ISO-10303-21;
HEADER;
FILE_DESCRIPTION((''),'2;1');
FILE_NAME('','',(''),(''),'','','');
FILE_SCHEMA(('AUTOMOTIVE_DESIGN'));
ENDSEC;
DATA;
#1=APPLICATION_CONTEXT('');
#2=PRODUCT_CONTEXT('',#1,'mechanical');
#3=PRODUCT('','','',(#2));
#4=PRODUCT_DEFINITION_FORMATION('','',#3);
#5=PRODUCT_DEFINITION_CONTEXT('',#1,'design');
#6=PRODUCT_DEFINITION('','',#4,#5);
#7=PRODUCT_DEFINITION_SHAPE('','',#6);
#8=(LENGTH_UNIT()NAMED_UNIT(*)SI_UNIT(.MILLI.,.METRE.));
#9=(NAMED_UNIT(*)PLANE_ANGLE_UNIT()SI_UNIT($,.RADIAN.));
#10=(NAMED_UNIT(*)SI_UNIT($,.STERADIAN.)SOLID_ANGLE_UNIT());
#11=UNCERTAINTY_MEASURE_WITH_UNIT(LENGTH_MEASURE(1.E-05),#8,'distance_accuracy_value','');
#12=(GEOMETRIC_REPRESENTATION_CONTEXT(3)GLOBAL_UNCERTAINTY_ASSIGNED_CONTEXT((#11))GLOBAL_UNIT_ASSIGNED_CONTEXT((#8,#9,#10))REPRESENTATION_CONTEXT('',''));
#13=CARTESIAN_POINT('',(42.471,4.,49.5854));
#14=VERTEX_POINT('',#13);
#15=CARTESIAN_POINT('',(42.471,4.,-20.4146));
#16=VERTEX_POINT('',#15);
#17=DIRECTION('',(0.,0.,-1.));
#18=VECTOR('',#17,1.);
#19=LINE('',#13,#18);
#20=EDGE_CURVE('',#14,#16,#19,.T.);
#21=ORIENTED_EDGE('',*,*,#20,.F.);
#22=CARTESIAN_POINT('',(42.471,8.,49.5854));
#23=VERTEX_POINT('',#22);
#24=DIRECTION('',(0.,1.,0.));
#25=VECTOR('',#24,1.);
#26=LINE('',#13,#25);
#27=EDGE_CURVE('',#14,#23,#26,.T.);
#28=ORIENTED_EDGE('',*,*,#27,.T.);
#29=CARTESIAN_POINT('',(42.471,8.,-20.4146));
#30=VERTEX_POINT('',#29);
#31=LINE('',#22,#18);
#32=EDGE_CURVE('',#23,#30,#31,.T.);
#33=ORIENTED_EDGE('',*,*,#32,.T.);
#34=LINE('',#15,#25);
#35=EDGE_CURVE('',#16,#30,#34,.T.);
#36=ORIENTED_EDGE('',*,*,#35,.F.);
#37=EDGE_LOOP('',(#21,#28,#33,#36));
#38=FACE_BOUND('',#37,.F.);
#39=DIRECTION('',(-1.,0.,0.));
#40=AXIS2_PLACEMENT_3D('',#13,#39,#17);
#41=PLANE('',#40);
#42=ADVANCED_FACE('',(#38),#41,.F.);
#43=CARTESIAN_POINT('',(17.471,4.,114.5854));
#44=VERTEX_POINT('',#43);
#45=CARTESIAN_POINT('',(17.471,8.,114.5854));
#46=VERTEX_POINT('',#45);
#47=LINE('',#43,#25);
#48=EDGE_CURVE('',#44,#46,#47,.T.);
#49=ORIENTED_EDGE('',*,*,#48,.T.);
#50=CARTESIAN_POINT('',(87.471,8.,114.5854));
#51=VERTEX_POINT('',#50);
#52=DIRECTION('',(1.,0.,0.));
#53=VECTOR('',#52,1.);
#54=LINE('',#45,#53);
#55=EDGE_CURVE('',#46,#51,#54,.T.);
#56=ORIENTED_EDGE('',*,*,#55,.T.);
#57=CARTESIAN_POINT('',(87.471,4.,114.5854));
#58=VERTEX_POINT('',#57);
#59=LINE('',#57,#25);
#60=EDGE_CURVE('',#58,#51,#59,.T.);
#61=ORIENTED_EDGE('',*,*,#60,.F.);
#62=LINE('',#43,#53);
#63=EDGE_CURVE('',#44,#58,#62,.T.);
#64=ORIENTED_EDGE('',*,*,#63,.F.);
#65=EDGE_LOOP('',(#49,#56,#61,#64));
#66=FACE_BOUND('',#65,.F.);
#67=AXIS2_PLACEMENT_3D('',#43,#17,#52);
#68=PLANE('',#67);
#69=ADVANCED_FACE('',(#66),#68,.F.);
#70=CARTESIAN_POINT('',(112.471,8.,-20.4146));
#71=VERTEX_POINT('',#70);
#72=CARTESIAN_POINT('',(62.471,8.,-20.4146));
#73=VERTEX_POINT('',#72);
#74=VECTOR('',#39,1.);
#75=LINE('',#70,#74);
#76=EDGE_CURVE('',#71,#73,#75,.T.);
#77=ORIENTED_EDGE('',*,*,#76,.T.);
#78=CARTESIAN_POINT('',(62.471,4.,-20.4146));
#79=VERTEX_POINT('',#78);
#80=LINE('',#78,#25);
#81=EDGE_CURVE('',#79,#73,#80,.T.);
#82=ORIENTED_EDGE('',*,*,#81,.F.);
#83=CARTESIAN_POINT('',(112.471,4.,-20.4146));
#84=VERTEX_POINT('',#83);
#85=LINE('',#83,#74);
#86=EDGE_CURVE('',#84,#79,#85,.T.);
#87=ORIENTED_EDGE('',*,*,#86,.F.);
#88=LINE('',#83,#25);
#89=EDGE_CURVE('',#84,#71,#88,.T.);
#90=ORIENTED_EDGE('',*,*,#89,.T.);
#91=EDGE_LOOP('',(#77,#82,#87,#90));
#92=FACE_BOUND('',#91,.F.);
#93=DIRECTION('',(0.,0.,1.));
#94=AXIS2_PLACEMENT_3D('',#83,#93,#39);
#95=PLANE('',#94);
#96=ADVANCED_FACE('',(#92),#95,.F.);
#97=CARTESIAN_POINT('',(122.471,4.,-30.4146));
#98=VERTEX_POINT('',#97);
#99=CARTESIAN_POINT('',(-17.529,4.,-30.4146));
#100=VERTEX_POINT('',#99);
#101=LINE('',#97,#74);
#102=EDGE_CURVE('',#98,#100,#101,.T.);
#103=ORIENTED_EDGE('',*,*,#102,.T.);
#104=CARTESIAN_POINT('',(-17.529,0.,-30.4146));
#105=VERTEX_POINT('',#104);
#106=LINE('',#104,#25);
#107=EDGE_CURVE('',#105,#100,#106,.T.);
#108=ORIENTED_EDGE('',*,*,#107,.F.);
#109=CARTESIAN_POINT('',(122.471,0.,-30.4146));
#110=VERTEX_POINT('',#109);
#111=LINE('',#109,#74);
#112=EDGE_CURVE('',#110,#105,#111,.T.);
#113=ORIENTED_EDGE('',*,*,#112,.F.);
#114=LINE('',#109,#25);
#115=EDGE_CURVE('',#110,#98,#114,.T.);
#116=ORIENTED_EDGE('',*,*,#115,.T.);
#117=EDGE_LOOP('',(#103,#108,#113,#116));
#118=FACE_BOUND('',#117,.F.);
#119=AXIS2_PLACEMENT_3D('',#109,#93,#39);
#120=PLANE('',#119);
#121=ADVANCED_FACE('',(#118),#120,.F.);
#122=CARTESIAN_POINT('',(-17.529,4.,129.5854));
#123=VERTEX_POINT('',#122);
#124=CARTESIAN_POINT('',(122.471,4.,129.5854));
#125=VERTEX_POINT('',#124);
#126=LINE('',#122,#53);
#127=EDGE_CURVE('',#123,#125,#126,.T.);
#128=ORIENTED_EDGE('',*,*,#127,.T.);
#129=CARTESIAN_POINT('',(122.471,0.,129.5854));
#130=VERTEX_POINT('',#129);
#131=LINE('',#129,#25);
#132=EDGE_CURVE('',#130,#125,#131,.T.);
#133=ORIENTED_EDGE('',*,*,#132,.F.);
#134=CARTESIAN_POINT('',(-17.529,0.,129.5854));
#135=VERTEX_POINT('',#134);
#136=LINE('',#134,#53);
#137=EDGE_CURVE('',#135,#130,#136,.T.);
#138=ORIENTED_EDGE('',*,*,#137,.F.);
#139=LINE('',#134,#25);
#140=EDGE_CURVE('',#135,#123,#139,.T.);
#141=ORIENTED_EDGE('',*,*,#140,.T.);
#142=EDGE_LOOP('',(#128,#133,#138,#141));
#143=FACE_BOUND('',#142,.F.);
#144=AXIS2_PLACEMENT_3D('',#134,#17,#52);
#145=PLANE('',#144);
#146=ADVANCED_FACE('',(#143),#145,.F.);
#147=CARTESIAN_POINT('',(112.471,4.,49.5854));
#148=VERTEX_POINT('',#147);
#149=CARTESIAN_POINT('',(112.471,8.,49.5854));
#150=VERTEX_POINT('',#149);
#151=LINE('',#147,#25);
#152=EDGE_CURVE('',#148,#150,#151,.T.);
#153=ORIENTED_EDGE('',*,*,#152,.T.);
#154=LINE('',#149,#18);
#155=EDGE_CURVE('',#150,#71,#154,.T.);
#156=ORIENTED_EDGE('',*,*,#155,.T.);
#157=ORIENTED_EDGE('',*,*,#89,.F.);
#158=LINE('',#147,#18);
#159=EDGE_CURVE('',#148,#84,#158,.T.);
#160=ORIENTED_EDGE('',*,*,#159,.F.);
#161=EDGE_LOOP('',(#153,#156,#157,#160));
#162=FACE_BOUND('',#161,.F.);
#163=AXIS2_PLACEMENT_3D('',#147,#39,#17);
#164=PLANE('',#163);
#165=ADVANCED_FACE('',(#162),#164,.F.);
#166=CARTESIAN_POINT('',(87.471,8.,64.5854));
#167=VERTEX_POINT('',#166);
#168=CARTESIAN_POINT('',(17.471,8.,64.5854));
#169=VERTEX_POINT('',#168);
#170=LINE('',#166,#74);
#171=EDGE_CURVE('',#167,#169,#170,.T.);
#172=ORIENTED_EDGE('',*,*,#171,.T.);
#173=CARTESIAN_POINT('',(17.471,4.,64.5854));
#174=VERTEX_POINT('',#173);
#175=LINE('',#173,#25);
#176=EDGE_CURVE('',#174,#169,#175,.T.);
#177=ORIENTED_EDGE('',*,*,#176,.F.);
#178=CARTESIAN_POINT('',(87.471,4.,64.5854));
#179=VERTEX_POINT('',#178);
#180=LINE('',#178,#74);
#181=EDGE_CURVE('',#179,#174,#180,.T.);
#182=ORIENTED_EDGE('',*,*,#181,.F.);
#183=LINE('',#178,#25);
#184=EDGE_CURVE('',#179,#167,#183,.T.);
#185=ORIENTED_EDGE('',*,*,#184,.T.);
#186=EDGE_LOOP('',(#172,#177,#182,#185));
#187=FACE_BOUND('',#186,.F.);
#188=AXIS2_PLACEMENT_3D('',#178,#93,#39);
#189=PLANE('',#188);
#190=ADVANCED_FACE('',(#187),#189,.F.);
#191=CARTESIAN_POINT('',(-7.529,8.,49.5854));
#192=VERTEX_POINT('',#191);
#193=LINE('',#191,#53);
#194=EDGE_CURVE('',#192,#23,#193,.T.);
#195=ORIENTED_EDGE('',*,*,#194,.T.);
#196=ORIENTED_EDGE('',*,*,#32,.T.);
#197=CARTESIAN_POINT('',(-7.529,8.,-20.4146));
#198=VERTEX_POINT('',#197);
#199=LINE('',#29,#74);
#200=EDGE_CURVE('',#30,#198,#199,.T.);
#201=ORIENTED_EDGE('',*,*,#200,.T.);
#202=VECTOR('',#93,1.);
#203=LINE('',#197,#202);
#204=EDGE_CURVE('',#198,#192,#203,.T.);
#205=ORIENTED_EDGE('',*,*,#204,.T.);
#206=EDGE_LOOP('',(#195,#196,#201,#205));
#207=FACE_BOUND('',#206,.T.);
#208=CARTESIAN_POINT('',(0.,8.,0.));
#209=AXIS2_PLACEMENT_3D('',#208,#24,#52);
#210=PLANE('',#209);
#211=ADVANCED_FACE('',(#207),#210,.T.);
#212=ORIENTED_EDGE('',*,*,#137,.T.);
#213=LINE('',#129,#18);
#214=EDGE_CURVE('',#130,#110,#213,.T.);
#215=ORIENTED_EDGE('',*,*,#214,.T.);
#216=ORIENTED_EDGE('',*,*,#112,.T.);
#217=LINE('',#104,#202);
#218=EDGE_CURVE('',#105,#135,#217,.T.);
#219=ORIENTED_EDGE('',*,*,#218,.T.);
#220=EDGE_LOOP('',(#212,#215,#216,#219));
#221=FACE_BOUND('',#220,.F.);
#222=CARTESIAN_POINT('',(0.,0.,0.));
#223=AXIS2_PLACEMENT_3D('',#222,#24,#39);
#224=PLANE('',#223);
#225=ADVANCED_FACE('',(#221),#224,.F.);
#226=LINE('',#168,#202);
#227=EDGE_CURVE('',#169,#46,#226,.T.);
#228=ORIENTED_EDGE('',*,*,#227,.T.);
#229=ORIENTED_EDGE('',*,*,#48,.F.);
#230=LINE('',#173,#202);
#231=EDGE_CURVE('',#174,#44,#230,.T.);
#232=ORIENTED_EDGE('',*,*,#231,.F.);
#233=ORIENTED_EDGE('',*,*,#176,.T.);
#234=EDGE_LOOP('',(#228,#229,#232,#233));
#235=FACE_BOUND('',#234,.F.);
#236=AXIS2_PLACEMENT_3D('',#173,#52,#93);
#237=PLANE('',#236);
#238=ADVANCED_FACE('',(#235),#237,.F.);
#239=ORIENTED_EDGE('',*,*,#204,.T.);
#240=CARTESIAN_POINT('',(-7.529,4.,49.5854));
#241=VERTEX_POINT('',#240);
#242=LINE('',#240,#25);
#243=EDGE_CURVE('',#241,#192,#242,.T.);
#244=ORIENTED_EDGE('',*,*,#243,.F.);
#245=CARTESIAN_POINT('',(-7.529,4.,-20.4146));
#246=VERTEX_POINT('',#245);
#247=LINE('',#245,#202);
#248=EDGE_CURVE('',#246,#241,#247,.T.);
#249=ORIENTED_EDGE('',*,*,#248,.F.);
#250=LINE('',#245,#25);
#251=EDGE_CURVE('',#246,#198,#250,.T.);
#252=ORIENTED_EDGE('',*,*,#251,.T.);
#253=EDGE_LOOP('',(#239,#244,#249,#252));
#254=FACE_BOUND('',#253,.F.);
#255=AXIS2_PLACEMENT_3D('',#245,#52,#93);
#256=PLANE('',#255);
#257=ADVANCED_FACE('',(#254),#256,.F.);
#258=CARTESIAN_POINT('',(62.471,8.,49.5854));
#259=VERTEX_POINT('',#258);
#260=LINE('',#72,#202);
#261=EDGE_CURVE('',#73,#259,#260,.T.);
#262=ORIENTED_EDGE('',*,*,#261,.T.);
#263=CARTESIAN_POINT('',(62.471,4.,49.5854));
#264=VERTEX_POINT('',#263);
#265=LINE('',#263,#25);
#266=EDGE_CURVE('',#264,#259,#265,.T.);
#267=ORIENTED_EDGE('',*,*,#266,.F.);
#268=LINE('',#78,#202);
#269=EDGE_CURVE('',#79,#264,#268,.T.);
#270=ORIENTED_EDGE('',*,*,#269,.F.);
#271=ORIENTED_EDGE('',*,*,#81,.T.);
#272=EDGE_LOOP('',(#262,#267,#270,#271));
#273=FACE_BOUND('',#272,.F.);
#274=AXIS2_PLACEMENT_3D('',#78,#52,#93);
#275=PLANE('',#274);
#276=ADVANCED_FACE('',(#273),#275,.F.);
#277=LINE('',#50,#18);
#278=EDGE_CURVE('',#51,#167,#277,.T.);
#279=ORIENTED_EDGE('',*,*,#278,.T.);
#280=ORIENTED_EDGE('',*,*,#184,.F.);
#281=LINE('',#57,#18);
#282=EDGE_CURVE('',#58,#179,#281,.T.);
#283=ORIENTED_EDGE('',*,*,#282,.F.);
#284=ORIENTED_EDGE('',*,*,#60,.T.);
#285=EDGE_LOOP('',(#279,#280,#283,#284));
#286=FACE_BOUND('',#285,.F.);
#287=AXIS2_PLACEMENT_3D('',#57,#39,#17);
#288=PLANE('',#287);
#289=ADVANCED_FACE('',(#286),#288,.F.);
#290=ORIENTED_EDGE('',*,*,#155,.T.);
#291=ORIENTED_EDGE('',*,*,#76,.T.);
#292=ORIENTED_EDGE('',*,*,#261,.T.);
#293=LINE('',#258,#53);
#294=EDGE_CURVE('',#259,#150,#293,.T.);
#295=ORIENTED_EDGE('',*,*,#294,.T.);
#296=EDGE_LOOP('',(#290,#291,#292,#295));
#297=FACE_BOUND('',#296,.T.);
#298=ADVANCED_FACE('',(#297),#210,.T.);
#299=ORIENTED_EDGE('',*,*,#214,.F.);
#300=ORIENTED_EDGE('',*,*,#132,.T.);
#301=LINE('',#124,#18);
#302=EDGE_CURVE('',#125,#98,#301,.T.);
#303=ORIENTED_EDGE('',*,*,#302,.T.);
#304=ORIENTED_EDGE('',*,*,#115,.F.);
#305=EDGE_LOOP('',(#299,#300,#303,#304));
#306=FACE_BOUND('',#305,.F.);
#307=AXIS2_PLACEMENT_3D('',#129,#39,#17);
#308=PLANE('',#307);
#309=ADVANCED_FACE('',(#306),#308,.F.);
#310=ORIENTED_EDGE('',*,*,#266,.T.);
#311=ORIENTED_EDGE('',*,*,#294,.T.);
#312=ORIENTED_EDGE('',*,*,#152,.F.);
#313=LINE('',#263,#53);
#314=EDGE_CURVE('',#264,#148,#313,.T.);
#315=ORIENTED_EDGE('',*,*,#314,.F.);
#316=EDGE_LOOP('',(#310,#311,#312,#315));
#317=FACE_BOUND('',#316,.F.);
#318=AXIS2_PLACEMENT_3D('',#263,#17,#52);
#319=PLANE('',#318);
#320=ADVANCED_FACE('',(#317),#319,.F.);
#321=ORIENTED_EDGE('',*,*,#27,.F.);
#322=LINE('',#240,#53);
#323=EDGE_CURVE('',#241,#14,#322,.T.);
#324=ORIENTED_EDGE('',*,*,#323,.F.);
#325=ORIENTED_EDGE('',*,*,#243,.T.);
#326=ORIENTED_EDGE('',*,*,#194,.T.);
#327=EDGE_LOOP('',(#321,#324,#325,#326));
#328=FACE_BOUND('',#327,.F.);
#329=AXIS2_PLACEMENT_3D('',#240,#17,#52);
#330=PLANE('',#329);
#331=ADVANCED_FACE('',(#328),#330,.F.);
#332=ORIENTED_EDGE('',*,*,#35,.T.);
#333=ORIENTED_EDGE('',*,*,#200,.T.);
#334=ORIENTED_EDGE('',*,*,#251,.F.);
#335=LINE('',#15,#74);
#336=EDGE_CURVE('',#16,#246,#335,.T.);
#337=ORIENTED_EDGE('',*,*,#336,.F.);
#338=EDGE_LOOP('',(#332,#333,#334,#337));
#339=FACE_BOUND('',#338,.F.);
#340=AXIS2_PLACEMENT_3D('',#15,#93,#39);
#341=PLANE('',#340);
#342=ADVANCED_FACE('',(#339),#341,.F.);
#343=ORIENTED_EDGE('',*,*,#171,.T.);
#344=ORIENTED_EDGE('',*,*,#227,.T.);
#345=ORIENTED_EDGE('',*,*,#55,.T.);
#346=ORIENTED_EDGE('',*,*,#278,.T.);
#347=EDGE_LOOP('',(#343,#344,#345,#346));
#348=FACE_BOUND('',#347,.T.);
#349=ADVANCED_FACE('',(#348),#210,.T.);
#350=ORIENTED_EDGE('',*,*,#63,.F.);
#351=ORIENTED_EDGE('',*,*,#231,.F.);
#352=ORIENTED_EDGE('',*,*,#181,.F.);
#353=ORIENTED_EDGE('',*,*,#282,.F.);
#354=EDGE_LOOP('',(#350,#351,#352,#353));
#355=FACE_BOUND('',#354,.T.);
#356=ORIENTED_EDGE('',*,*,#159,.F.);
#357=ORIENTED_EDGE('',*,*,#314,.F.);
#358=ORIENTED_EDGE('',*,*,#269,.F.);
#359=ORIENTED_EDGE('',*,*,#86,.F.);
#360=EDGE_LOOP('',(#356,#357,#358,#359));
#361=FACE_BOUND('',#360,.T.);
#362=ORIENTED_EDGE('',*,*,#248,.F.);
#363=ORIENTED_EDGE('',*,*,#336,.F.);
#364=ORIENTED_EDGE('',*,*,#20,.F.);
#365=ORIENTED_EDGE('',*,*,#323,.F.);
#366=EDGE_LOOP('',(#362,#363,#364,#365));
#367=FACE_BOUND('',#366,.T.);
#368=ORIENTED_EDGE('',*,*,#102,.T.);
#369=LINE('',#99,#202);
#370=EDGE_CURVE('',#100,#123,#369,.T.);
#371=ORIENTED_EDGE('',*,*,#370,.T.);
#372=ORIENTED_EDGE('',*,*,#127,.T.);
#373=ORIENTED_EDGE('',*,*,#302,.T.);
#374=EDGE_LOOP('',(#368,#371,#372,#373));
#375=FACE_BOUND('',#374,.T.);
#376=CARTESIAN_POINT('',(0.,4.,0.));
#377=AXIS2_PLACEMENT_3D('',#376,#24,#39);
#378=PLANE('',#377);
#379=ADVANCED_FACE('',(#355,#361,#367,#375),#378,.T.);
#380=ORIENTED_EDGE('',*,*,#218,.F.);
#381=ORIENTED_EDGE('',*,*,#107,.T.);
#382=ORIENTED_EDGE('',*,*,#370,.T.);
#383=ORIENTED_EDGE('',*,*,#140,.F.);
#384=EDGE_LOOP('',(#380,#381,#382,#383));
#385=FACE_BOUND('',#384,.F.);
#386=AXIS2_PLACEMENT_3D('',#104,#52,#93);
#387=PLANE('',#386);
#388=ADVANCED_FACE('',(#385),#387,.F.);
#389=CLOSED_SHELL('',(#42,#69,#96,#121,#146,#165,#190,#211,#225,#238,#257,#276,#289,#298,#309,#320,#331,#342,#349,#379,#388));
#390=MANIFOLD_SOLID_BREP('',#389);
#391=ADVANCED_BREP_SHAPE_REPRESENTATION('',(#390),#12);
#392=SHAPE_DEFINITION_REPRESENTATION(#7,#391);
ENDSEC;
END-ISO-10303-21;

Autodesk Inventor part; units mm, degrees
ref_plane "YZ Plane" through (0, 0, 0) normal (1, 0, 0) x (0, 1, 0)
ref_plane "XZ Plane" through (0, 0, 0) normal (0, 1, 0) x (-1, 0, 0)
ref_plane "XY Plane" through (0, 0, 0) normal (0, 0, 1) x (1, 0, 0)
sketch "Sketch1" plane through (0, 0, 0) normal (0, 1, 0) x (-1, 0, 0)
  line L0 (17.529, 129.5854) -> (-122.471, 129.5854)
  line L1 (-122.471, 129.5854) -> (-122.471, -30.4146)
  line L2 (-122.471, -30.4146) -> (17.529, -30.4146)
  line L3 (17.529, -30.4146) -> (17.529, 129.5854)
  point P0 (0, 0)
  dimension "d0" = 160
  dimension "d1" = 140
extrude "Extrusion1" add sketch "Sketch1" along normal blind 4
sketch "Sketch2" plane through (0, 4, 0) normal (0, 1, 0) x (1, 0, 0)
  point P0 (0, 0)
sketch "Sketch3" plane through (0, 4, 0) normal (0, 1, 0) x (1, 0, 0)
  line L0 (17.471, -114.5854) -> (87.471, -114.5854)
  line L1 (87.471, -114.5854) -> (87.471, -64.5854)
  line L2 (87.471, -64.5854) -> (17.471, -64.5854)
  line L3 (17.471, -64.5854) -> (17.471, -114.5854)
  line L4 (-7.529, -49.5854) -> (42.471, -49.5854)
  line L5 (42.471, -49.5854) -> (42.471, 20.4146)
  line L6 (42.471, 20.4146) -> (-7.529, 20.4146)
  line L7 (-7.529, 20.4146) -> (-7.529, -49.5854)
  line L8 (62.471, -49.5854) -> (112.471, -49.5854)
  line L9 (112.471, -49.5854) -> (112.471, 20.4146)
  line L10 (112.471, 20.4146) -> (62.471, 20.4146)
  line L11 (62.471, 20.4146) -> (62.471, -49.5854)
  line L12 (-17.529, -129.5854) -> (122.471, -129.5854) projected
  line L13 (-17.529, 30.4146) -> (-17.529, -129.5854) projected
  line L14 (122.471, 30.4146) -> (-17.529, 30.4146) projected
  line L15 (122.471, -129.5854) -> (122.471, 30.4146) projected
  point P0 (0, 0)
  dimension "d4" = 50
  dimension "d5" = 70
  dimension "d6" = 50
  dimension "d7" = 50
  dimension "d8" = 70
  dimension "d9" = 70
  dimension "d10" = 15
  dimension "d11" = 10
  dimension "d12" = 10
  dimension "d13" = 10
  dimension "d14" = 10
  dimension "d15" = 35
  dimension "d16" = 35
extrude "Extrusion2" add sketch "Sketch3" along normal blind 4 contours L3 L2 L1 L0 | L7 L6 L5 L4 | L11 L10 L9 L8
properties part number "Stage with Boards"
